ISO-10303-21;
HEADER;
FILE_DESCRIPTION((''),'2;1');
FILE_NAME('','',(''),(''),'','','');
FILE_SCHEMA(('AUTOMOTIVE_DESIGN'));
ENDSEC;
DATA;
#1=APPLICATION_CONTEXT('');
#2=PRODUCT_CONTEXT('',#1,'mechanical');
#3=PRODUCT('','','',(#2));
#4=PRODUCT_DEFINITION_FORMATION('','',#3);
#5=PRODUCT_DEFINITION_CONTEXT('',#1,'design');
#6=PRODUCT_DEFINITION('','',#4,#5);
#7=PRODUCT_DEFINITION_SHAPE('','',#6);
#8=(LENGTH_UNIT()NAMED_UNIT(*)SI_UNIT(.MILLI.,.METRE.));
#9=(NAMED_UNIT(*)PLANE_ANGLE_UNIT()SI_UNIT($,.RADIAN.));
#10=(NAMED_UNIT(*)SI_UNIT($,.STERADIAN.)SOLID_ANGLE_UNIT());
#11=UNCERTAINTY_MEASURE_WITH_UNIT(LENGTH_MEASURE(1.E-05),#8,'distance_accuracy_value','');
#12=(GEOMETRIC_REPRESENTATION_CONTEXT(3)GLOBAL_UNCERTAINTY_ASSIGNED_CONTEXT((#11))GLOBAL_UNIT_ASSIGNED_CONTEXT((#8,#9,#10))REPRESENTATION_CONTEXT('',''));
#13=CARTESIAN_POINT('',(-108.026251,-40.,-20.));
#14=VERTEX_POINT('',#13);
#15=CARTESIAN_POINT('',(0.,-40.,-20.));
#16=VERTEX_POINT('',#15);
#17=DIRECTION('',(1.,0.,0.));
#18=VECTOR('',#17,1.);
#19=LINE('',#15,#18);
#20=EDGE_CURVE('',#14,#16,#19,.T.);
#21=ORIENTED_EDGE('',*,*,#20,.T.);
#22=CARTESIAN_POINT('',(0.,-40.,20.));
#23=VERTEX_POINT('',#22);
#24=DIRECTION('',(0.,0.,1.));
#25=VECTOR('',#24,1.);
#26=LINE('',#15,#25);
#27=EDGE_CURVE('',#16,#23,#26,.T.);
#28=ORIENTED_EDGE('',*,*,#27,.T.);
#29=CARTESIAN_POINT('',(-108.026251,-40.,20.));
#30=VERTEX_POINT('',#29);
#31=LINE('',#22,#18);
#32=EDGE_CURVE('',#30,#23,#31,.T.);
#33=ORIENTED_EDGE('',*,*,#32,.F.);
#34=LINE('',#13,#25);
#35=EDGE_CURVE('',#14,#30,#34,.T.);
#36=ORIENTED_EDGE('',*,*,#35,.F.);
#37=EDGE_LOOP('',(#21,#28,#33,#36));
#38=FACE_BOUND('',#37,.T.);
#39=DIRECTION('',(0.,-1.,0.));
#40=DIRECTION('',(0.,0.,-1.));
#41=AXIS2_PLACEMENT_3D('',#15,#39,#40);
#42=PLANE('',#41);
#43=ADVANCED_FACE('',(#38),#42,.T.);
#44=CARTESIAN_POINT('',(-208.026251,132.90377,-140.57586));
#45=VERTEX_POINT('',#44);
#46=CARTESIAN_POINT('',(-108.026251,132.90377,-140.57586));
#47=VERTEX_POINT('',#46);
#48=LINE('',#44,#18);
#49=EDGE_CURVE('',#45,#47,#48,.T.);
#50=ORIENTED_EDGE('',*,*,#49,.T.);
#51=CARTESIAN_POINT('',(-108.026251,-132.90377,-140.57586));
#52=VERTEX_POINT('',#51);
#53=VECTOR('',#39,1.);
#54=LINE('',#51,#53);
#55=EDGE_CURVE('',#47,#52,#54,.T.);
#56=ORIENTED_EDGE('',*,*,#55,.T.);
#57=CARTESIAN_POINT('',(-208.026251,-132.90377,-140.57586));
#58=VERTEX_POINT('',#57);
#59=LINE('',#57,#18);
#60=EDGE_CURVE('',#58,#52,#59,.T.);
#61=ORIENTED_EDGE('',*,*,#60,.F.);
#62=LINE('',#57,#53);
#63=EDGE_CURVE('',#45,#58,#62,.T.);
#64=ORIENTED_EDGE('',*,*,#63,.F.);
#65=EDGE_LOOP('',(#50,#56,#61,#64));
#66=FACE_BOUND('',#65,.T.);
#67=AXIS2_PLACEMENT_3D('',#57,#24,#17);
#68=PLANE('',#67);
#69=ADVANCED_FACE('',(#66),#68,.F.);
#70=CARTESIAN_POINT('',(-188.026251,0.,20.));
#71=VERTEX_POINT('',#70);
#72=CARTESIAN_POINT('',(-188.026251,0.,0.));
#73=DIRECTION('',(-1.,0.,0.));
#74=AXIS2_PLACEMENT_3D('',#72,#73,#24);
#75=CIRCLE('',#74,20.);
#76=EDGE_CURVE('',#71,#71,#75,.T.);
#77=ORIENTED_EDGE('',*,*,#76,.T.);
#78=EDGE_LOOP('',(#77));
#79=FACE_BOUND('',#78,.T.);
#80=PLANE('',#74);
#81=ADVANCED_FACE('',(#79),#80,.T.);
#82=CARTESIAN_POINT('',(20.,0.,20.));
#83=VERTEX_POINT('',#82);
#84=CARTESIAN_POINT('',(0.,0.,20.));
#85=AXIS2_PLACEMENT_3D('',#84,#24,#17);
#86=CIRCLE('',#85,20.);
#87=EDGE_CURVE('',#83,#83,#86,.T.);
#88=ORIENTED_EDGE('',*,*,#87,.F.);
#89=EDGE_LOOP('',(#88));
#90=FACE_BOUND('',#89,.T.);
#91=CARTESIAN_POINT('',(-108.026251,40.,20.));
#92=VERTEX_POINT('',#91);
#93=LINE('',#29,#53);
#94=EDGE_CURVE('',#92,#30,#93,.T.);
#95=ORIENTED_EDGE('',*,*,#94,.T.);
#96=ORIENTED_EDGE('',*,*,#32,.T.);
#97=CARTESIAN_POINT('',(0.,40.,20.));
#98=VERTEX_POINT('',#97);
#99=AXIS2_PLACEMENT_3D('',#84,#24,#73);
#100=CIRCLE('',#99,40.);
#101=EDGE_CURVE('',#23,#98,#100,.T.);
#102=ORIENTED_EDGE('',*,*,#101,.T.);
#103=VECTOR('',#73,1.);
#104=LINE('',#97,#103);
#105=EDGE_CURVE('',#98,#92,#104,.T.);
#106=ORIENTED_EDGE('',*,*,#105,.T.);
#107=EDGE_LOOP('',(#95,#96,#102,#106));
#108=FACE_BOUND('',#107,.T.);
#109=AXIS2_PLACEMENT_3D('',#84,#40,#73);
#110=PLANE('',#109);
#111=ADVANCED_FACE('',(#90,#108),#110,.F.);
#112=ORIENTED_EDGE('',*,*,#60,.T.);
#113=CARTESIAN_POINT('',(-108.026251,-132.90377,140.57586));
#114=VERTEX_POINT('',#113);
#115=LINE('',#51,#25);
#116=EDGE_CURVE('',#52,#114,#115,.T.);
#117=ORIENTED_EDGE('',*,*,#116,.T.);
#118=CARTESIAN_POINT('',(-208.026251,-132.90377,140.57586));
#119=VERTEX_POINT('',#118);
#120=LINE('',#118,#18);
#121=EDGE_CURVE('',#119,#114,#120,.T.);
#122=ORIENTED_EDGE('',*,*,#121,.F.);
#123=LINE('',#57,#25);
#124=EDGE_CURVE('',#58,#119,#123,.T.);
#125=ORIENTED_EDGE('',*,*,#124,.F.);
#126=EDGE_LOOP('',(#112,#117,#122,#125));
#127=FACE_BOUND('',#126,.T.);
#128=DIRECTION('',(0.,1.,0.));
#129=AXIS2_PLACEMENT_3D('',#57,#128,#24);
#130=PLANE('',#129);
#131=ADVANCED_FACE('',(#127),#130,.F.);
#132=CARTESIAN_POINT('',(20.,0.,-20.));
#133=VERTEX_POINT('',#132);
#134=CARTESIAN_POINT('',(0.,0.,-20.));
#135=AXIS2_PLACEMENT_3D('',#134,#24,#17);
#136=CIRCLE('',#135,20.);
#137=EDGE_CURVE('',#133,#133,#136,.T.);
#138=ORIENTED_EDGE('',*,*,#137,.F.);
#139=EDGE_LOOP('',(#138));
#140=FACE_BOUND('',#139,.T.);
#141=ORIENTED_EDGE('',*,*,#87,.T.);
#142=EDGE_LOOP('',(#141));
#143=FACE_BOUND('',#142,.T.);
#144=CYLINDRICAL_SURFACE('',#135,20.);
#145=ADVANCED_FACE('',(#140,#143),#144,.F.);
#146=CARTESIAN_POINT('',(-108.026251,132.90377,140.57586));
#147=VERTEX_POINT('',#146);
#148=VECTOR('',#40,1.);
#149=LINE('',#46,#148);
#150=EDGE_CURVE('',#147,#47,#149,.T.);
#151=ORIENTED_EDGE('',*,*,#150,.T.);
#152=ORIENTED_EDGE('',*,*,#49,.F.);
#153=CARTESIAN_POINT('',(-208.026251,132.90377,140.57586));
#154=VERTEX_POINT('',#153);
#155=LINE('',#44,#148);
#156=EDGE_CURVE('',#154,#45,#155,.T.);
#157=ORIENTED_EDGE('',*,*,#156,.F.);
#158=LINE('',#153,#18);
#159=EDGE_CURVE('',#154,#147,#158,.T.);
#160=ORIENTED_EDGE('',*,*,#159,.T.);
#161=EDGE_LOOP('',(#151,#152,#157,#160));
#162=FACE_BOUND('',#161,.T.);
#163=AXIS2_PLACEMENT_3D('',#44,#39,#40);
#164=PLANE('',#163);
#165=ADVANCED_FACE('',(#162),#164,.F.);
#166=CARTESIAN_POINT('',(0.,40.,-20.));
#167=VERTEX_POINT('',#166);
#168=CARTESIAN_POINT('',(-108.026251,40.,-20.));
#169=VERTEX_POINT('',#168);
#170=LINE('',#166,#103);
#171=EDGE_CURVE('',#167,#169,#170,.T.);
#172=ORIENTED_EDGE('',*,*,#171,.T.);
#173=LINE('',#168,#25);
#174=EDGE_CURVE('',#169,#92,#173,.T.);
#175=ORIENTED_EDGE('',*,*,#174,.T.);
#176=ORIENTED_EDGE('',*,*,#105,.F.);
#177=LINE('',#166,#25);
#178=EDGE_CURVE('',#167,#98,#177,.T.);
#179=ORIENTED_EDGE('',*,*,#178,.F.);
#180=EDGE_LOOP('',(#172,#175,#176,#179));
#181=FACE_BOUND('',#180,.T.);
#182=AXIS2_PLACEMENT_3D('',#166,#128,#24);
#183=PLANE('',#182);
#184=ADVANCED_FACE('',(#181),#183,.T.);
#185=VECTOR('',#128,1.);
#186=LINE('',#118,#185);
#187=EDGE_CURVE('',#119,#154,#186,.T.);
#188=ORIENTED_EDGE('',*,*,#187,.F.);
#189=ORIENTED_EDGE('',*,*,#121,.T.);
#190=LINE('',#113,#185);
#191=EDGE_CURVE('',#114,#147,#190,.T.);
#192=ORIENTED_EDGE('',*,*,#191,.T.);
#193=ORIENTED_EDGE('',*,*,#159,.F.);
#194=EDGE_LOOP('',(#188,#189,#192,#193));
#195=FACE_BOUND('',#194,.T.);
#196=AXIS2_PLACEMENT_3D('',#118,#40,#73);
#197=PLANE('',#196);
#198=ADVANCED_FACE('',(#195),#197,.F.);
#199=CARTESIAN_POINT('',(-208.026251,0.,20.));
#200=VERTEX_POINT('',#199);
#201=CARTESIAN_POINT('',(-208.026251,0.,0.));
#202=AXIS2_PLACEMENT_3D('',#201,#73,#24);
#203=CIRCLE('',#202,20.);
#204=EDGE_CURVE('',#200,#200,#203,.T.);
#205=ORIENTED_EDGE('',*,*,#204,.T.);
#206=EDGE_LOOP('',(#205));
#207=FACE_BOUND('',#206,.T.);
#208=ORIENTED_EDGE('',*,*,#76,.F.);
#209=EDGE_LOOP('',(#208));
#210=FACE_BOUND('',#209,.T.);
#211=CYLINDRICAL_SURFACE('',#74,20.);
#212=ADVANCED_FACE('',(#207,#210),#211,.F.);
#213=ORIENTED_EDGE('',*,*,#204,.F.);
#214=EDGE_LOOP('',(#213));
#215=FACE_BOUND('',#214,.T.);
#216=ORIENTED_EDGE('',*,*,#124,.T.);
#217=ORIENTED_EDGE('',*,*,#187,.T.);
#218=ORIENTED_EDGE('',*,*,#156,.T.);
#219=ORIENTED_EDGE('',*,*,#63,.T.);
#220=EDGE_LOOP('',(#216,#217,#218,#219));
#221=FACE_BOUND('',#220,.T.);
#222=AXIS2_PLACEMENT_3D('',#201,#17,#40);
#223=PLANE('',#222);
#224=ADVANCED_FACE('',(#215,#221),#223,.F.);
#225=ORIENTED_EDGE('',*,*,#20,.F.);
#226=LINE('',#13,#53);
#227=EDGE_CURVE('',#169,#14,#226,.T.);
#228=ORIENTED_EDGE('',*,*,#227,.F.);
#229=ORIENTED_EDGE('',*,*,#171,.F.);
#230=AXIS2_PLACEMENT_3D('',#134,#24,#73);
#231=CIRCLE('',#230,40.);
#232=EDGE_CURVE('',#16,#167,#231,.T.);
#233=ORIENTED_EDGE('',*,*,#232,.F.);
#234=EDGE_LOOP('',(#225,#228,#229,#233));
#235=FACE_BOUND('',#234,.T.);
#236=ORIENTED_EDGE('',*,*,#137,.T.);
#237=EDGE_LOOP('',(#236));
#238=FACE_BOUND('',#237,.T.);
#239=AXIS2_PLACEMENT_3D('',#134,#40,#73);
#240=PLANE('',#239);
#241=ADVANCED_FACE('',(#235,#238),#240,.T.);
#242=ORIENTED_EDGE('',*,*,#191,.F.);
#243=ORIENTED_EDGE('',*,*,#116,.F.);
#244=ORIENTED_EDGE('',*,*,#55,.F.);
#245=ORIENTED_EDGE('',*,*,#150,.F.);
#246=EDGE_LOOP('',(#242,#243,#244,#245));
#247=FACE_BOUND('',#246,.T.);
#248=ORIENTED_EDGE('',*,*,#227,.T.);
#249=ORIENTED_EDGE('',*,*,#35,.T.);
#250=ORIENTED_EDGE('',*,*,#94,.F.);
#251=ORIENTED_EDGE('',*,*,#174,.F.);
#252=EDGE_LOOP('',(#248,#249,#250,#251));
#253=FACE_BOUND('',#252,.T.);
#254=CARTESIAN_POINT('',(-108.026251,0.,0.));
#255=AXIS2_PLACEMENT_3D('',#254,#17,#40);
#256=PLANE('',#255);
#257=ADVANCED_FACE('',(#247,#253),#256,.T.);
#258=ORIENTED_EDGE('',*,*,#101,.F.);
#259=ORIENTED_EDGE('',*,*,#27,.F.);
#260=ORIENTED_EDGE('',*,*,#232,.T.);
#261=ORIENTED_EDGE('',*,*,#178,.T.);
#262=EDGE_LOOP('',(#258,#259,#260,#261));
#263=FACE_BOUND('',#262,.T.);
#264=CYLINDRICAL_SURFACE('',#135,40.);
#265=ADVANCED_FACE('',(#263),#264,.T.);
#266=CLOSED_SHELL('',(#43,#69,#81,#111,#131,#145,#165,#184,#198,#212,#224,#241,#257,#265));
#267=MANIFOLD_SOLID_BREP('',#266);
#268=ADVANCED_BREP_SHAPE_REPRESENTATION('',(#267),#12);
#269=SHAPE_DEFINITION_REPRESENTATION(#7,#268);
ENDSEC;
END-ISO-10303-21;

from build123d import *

# Parameters (mm, degrees)
EXTRUDE_1_DEPTH      = 20
EXTRUDE_1_DEPTH_BACK = 20
SKETCH_1_R           = 20
SKETCH_2_W           = 281.151719904
SKETCH_2_H           = 265.807540378
EXTRUDE_2_DEPTH      = 100
SKETCH_3_R           = 20
CUT_EXTRUDE_1_DEPTH  = 20


with BuildPart() as part:
    # 草图1 → 凸台-拉伸1 (new, two sides: drawn at the far end of the back side and taken through both)
    with BuildSketch(Plane.XY.offset(-EXTRUDE_1_DEPTH_BACK)):
        with BuildLine():
            Line((0, 40), (-108.026251169, 40))
            Line((-108.026251169, 40), (-108.026251169, -40))
            Line((-108.026251169, -40), (0, -40))
            ThreePointArc((0, -40), (40, 0), (0, 40))
        make_face()
        Circle(SKETCH_1_R, mode=Mode.SUBTRACT)
    extrude(amount=EXTRUDE_1_DEPTH + EXTRUDE_1_DEPTH_BACK)

    # 草图2 → 凸台-拉伸2 (add)
    with BuildSketch(Plane.ZY.offset(108.026251169)):
        Rectangle(SKETCH_2_W, SKETCH_2_H)
    extrude(amount=EXTRUDE_2_DEPTH)

    # 草图3 → 切除-拉伸1 (cut)
    with BuildSketch(Plane.ZY.offset(208.026251169)):
        Circle(SKETCH_3_R)
    extrude(amount=-CUT_EXTRUDE_1_DEPTH, mode=Mode.SUBTRACT)


solid = part.part
